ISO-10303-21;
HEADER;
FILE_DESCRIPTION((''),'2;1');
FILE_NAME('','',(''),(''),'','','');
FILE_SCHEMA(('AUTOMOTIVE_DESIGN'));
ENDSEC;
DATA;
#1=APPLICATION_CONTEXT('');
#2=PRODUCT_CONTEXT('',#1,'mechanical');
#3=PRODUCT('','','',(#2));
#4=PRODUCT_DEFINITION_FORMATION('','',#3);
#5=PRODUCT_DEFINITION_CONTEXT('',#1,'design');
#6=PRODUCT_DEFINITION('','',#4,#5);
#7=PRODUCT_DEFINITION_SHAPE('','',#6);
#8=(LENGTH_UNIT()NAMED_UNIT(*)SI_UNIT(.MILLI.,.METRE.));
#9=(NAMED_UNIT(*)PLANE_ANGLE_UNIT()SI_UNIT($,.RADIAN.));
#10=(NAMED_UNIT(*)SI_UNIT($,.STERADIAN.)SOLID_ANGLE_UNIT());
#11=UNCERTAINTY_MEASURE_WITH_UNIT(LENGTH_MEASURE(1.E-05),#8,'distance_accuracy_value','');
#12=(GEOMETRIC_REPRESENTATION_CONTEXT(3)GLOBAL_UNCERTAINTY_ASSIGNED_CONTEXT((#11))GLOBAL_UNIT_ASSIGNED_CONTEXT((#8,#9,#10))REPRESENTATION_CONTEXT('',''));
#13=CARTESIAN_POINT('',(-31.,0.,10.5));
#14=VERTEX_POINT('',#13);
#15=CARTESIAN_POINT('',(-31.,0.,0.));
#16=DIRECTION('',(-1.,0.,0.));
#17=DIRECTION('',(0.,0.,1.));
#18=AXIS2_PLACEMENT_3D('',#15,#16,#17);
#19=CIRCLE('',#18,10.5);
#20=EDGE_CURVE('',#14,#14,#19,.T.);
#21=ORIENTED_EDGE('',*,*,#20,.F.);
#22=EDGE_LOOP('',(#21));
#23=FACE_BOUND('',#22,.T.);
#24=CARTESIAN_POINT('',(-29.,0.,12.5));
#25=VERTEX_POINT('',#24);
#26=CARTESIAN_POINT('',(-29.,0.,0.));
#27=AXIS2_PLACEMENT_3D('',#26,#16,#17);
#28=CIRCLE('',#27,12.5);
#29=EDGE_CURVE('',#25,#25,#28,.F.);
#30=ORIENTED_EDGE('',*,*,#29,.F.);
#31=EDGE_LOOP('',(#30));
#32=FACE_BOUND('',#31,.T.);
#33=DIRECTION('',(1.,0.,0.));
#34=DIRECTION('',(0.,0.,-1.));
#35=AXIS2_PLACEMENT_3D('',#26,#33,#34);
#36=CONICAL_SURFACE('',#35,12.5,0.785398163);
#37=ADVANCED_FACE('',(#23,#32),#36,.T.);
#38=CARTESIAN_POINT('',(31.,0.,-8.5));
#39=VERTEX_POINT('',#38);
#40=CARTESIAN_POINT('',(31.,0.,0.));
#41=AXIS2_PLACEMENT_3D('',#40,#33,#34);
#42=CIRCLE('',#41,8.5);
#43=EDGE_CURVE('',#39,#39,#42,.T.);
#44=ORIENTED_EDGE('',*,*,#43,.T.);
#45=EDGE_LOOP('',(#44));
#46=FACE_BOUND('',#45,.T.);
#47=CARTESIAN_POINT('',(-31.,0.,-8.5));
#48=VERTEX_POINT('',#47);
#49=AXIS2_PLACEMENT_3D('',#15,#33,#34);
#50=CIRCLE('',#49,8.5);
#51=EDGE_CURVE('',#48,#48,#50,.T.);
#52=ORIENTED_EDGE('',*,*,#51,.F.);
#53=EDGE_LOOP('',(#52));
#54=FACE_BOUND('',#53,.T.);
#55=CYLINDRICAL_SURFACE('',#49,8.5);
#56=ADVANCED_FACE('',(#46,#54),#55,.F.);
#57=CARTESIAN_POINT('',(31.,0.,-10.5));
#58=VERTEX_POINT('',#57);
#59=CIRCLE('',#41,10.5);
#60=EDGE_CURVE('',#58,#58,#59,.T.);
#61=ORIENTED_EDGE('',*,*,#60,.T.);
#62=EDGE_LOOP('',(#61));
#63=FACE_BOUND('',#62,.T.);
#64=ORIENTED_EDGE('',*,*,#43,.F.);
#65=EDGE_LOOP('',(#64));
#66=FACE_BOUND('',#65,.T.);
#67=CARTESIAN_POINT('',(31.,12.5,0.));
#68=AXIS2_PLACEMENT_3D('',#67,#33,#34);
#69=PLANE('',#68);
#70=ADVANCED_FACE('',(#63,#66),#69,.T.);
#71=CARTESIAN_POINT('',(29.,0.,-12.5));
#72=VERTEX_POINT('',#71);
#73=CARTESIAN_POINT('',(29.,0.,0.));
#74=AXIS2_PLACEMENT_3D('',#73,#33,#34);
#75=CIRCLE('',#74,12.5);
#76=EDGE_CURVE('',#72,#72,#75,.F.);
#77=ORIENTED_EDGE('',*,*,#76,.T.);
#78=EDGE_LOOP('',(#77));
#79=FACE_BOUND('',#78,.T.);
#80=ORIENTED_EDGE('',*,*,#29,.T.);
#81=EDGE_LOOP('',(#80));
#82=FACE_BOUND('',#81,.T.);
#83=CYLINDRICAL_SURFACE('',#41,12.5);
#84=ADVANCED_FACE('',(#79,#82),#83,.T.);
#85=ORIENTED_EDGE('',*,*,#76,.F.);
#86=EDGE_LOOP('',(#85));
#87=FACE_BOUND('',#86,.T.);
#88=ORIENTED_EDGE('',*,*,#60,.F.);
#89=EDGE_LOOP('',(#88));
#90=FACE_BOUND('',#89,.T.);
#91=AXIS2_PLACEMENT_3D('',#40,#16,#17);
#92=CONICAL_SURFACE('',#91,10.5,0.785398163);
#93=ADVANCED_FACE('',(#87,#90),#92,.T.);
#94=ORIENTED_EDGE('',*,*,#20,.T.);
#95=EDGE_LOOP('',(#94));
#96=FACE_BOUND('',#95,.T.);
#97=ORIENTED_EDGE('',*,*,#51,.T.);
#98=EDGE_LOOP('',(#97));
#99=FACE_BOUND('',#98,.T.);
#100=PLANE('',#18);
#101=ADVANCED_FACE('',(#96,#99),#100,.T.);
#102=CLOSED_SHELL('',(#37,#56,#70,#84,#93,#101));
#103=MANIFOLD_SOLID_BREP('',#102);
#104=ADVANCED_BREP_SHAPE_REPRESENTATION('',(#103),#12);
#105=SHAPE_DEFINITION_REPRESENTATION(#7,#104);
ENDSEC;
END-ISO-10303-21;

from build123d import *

# Parameters (mm, degrees)
SKETCH1_W          = 62
SKETCH1_H          = 12.5
SKETCH2_R          = 8.5
CUT_EXTRUDE1_DEPTH = 63
CHAMFER2_SIZE      = 2


with BuildPart() as part:
    # Sketch1 → Revolve1 (revolve)
    with BuildSketch(Plane.XY):
        with Locations((0, 6.25)):
            Rectangle(SKETCH1_W, SKETCH1_H)
    revolve(axis=Axis((31, 0, 0), (-1, 0, 0)))

    # Sketch2 → Cut-Extrude1 (cut, through all)
    with BuildSketch(Plane(origin=(31, 0, 0), x_dir=(0, 0, -1), z_dir=(1, 0, 0))):
        Circle(SKETCH2_R)
    extrude(amount=-CUT_EXTRUDE1_DEPTH, mode=Mode.SUBTRACT)

    # Chamfer2
    chamfer2_edges = [part.edges().sort_by_distance(p)[0] for p in [
        (31, -12.5, 0),
        (-31, -12.5, 0),
    ]]
    chamfer(chamfer2_edges, length=CHAMFER2_SIZE)


solid = part.part
